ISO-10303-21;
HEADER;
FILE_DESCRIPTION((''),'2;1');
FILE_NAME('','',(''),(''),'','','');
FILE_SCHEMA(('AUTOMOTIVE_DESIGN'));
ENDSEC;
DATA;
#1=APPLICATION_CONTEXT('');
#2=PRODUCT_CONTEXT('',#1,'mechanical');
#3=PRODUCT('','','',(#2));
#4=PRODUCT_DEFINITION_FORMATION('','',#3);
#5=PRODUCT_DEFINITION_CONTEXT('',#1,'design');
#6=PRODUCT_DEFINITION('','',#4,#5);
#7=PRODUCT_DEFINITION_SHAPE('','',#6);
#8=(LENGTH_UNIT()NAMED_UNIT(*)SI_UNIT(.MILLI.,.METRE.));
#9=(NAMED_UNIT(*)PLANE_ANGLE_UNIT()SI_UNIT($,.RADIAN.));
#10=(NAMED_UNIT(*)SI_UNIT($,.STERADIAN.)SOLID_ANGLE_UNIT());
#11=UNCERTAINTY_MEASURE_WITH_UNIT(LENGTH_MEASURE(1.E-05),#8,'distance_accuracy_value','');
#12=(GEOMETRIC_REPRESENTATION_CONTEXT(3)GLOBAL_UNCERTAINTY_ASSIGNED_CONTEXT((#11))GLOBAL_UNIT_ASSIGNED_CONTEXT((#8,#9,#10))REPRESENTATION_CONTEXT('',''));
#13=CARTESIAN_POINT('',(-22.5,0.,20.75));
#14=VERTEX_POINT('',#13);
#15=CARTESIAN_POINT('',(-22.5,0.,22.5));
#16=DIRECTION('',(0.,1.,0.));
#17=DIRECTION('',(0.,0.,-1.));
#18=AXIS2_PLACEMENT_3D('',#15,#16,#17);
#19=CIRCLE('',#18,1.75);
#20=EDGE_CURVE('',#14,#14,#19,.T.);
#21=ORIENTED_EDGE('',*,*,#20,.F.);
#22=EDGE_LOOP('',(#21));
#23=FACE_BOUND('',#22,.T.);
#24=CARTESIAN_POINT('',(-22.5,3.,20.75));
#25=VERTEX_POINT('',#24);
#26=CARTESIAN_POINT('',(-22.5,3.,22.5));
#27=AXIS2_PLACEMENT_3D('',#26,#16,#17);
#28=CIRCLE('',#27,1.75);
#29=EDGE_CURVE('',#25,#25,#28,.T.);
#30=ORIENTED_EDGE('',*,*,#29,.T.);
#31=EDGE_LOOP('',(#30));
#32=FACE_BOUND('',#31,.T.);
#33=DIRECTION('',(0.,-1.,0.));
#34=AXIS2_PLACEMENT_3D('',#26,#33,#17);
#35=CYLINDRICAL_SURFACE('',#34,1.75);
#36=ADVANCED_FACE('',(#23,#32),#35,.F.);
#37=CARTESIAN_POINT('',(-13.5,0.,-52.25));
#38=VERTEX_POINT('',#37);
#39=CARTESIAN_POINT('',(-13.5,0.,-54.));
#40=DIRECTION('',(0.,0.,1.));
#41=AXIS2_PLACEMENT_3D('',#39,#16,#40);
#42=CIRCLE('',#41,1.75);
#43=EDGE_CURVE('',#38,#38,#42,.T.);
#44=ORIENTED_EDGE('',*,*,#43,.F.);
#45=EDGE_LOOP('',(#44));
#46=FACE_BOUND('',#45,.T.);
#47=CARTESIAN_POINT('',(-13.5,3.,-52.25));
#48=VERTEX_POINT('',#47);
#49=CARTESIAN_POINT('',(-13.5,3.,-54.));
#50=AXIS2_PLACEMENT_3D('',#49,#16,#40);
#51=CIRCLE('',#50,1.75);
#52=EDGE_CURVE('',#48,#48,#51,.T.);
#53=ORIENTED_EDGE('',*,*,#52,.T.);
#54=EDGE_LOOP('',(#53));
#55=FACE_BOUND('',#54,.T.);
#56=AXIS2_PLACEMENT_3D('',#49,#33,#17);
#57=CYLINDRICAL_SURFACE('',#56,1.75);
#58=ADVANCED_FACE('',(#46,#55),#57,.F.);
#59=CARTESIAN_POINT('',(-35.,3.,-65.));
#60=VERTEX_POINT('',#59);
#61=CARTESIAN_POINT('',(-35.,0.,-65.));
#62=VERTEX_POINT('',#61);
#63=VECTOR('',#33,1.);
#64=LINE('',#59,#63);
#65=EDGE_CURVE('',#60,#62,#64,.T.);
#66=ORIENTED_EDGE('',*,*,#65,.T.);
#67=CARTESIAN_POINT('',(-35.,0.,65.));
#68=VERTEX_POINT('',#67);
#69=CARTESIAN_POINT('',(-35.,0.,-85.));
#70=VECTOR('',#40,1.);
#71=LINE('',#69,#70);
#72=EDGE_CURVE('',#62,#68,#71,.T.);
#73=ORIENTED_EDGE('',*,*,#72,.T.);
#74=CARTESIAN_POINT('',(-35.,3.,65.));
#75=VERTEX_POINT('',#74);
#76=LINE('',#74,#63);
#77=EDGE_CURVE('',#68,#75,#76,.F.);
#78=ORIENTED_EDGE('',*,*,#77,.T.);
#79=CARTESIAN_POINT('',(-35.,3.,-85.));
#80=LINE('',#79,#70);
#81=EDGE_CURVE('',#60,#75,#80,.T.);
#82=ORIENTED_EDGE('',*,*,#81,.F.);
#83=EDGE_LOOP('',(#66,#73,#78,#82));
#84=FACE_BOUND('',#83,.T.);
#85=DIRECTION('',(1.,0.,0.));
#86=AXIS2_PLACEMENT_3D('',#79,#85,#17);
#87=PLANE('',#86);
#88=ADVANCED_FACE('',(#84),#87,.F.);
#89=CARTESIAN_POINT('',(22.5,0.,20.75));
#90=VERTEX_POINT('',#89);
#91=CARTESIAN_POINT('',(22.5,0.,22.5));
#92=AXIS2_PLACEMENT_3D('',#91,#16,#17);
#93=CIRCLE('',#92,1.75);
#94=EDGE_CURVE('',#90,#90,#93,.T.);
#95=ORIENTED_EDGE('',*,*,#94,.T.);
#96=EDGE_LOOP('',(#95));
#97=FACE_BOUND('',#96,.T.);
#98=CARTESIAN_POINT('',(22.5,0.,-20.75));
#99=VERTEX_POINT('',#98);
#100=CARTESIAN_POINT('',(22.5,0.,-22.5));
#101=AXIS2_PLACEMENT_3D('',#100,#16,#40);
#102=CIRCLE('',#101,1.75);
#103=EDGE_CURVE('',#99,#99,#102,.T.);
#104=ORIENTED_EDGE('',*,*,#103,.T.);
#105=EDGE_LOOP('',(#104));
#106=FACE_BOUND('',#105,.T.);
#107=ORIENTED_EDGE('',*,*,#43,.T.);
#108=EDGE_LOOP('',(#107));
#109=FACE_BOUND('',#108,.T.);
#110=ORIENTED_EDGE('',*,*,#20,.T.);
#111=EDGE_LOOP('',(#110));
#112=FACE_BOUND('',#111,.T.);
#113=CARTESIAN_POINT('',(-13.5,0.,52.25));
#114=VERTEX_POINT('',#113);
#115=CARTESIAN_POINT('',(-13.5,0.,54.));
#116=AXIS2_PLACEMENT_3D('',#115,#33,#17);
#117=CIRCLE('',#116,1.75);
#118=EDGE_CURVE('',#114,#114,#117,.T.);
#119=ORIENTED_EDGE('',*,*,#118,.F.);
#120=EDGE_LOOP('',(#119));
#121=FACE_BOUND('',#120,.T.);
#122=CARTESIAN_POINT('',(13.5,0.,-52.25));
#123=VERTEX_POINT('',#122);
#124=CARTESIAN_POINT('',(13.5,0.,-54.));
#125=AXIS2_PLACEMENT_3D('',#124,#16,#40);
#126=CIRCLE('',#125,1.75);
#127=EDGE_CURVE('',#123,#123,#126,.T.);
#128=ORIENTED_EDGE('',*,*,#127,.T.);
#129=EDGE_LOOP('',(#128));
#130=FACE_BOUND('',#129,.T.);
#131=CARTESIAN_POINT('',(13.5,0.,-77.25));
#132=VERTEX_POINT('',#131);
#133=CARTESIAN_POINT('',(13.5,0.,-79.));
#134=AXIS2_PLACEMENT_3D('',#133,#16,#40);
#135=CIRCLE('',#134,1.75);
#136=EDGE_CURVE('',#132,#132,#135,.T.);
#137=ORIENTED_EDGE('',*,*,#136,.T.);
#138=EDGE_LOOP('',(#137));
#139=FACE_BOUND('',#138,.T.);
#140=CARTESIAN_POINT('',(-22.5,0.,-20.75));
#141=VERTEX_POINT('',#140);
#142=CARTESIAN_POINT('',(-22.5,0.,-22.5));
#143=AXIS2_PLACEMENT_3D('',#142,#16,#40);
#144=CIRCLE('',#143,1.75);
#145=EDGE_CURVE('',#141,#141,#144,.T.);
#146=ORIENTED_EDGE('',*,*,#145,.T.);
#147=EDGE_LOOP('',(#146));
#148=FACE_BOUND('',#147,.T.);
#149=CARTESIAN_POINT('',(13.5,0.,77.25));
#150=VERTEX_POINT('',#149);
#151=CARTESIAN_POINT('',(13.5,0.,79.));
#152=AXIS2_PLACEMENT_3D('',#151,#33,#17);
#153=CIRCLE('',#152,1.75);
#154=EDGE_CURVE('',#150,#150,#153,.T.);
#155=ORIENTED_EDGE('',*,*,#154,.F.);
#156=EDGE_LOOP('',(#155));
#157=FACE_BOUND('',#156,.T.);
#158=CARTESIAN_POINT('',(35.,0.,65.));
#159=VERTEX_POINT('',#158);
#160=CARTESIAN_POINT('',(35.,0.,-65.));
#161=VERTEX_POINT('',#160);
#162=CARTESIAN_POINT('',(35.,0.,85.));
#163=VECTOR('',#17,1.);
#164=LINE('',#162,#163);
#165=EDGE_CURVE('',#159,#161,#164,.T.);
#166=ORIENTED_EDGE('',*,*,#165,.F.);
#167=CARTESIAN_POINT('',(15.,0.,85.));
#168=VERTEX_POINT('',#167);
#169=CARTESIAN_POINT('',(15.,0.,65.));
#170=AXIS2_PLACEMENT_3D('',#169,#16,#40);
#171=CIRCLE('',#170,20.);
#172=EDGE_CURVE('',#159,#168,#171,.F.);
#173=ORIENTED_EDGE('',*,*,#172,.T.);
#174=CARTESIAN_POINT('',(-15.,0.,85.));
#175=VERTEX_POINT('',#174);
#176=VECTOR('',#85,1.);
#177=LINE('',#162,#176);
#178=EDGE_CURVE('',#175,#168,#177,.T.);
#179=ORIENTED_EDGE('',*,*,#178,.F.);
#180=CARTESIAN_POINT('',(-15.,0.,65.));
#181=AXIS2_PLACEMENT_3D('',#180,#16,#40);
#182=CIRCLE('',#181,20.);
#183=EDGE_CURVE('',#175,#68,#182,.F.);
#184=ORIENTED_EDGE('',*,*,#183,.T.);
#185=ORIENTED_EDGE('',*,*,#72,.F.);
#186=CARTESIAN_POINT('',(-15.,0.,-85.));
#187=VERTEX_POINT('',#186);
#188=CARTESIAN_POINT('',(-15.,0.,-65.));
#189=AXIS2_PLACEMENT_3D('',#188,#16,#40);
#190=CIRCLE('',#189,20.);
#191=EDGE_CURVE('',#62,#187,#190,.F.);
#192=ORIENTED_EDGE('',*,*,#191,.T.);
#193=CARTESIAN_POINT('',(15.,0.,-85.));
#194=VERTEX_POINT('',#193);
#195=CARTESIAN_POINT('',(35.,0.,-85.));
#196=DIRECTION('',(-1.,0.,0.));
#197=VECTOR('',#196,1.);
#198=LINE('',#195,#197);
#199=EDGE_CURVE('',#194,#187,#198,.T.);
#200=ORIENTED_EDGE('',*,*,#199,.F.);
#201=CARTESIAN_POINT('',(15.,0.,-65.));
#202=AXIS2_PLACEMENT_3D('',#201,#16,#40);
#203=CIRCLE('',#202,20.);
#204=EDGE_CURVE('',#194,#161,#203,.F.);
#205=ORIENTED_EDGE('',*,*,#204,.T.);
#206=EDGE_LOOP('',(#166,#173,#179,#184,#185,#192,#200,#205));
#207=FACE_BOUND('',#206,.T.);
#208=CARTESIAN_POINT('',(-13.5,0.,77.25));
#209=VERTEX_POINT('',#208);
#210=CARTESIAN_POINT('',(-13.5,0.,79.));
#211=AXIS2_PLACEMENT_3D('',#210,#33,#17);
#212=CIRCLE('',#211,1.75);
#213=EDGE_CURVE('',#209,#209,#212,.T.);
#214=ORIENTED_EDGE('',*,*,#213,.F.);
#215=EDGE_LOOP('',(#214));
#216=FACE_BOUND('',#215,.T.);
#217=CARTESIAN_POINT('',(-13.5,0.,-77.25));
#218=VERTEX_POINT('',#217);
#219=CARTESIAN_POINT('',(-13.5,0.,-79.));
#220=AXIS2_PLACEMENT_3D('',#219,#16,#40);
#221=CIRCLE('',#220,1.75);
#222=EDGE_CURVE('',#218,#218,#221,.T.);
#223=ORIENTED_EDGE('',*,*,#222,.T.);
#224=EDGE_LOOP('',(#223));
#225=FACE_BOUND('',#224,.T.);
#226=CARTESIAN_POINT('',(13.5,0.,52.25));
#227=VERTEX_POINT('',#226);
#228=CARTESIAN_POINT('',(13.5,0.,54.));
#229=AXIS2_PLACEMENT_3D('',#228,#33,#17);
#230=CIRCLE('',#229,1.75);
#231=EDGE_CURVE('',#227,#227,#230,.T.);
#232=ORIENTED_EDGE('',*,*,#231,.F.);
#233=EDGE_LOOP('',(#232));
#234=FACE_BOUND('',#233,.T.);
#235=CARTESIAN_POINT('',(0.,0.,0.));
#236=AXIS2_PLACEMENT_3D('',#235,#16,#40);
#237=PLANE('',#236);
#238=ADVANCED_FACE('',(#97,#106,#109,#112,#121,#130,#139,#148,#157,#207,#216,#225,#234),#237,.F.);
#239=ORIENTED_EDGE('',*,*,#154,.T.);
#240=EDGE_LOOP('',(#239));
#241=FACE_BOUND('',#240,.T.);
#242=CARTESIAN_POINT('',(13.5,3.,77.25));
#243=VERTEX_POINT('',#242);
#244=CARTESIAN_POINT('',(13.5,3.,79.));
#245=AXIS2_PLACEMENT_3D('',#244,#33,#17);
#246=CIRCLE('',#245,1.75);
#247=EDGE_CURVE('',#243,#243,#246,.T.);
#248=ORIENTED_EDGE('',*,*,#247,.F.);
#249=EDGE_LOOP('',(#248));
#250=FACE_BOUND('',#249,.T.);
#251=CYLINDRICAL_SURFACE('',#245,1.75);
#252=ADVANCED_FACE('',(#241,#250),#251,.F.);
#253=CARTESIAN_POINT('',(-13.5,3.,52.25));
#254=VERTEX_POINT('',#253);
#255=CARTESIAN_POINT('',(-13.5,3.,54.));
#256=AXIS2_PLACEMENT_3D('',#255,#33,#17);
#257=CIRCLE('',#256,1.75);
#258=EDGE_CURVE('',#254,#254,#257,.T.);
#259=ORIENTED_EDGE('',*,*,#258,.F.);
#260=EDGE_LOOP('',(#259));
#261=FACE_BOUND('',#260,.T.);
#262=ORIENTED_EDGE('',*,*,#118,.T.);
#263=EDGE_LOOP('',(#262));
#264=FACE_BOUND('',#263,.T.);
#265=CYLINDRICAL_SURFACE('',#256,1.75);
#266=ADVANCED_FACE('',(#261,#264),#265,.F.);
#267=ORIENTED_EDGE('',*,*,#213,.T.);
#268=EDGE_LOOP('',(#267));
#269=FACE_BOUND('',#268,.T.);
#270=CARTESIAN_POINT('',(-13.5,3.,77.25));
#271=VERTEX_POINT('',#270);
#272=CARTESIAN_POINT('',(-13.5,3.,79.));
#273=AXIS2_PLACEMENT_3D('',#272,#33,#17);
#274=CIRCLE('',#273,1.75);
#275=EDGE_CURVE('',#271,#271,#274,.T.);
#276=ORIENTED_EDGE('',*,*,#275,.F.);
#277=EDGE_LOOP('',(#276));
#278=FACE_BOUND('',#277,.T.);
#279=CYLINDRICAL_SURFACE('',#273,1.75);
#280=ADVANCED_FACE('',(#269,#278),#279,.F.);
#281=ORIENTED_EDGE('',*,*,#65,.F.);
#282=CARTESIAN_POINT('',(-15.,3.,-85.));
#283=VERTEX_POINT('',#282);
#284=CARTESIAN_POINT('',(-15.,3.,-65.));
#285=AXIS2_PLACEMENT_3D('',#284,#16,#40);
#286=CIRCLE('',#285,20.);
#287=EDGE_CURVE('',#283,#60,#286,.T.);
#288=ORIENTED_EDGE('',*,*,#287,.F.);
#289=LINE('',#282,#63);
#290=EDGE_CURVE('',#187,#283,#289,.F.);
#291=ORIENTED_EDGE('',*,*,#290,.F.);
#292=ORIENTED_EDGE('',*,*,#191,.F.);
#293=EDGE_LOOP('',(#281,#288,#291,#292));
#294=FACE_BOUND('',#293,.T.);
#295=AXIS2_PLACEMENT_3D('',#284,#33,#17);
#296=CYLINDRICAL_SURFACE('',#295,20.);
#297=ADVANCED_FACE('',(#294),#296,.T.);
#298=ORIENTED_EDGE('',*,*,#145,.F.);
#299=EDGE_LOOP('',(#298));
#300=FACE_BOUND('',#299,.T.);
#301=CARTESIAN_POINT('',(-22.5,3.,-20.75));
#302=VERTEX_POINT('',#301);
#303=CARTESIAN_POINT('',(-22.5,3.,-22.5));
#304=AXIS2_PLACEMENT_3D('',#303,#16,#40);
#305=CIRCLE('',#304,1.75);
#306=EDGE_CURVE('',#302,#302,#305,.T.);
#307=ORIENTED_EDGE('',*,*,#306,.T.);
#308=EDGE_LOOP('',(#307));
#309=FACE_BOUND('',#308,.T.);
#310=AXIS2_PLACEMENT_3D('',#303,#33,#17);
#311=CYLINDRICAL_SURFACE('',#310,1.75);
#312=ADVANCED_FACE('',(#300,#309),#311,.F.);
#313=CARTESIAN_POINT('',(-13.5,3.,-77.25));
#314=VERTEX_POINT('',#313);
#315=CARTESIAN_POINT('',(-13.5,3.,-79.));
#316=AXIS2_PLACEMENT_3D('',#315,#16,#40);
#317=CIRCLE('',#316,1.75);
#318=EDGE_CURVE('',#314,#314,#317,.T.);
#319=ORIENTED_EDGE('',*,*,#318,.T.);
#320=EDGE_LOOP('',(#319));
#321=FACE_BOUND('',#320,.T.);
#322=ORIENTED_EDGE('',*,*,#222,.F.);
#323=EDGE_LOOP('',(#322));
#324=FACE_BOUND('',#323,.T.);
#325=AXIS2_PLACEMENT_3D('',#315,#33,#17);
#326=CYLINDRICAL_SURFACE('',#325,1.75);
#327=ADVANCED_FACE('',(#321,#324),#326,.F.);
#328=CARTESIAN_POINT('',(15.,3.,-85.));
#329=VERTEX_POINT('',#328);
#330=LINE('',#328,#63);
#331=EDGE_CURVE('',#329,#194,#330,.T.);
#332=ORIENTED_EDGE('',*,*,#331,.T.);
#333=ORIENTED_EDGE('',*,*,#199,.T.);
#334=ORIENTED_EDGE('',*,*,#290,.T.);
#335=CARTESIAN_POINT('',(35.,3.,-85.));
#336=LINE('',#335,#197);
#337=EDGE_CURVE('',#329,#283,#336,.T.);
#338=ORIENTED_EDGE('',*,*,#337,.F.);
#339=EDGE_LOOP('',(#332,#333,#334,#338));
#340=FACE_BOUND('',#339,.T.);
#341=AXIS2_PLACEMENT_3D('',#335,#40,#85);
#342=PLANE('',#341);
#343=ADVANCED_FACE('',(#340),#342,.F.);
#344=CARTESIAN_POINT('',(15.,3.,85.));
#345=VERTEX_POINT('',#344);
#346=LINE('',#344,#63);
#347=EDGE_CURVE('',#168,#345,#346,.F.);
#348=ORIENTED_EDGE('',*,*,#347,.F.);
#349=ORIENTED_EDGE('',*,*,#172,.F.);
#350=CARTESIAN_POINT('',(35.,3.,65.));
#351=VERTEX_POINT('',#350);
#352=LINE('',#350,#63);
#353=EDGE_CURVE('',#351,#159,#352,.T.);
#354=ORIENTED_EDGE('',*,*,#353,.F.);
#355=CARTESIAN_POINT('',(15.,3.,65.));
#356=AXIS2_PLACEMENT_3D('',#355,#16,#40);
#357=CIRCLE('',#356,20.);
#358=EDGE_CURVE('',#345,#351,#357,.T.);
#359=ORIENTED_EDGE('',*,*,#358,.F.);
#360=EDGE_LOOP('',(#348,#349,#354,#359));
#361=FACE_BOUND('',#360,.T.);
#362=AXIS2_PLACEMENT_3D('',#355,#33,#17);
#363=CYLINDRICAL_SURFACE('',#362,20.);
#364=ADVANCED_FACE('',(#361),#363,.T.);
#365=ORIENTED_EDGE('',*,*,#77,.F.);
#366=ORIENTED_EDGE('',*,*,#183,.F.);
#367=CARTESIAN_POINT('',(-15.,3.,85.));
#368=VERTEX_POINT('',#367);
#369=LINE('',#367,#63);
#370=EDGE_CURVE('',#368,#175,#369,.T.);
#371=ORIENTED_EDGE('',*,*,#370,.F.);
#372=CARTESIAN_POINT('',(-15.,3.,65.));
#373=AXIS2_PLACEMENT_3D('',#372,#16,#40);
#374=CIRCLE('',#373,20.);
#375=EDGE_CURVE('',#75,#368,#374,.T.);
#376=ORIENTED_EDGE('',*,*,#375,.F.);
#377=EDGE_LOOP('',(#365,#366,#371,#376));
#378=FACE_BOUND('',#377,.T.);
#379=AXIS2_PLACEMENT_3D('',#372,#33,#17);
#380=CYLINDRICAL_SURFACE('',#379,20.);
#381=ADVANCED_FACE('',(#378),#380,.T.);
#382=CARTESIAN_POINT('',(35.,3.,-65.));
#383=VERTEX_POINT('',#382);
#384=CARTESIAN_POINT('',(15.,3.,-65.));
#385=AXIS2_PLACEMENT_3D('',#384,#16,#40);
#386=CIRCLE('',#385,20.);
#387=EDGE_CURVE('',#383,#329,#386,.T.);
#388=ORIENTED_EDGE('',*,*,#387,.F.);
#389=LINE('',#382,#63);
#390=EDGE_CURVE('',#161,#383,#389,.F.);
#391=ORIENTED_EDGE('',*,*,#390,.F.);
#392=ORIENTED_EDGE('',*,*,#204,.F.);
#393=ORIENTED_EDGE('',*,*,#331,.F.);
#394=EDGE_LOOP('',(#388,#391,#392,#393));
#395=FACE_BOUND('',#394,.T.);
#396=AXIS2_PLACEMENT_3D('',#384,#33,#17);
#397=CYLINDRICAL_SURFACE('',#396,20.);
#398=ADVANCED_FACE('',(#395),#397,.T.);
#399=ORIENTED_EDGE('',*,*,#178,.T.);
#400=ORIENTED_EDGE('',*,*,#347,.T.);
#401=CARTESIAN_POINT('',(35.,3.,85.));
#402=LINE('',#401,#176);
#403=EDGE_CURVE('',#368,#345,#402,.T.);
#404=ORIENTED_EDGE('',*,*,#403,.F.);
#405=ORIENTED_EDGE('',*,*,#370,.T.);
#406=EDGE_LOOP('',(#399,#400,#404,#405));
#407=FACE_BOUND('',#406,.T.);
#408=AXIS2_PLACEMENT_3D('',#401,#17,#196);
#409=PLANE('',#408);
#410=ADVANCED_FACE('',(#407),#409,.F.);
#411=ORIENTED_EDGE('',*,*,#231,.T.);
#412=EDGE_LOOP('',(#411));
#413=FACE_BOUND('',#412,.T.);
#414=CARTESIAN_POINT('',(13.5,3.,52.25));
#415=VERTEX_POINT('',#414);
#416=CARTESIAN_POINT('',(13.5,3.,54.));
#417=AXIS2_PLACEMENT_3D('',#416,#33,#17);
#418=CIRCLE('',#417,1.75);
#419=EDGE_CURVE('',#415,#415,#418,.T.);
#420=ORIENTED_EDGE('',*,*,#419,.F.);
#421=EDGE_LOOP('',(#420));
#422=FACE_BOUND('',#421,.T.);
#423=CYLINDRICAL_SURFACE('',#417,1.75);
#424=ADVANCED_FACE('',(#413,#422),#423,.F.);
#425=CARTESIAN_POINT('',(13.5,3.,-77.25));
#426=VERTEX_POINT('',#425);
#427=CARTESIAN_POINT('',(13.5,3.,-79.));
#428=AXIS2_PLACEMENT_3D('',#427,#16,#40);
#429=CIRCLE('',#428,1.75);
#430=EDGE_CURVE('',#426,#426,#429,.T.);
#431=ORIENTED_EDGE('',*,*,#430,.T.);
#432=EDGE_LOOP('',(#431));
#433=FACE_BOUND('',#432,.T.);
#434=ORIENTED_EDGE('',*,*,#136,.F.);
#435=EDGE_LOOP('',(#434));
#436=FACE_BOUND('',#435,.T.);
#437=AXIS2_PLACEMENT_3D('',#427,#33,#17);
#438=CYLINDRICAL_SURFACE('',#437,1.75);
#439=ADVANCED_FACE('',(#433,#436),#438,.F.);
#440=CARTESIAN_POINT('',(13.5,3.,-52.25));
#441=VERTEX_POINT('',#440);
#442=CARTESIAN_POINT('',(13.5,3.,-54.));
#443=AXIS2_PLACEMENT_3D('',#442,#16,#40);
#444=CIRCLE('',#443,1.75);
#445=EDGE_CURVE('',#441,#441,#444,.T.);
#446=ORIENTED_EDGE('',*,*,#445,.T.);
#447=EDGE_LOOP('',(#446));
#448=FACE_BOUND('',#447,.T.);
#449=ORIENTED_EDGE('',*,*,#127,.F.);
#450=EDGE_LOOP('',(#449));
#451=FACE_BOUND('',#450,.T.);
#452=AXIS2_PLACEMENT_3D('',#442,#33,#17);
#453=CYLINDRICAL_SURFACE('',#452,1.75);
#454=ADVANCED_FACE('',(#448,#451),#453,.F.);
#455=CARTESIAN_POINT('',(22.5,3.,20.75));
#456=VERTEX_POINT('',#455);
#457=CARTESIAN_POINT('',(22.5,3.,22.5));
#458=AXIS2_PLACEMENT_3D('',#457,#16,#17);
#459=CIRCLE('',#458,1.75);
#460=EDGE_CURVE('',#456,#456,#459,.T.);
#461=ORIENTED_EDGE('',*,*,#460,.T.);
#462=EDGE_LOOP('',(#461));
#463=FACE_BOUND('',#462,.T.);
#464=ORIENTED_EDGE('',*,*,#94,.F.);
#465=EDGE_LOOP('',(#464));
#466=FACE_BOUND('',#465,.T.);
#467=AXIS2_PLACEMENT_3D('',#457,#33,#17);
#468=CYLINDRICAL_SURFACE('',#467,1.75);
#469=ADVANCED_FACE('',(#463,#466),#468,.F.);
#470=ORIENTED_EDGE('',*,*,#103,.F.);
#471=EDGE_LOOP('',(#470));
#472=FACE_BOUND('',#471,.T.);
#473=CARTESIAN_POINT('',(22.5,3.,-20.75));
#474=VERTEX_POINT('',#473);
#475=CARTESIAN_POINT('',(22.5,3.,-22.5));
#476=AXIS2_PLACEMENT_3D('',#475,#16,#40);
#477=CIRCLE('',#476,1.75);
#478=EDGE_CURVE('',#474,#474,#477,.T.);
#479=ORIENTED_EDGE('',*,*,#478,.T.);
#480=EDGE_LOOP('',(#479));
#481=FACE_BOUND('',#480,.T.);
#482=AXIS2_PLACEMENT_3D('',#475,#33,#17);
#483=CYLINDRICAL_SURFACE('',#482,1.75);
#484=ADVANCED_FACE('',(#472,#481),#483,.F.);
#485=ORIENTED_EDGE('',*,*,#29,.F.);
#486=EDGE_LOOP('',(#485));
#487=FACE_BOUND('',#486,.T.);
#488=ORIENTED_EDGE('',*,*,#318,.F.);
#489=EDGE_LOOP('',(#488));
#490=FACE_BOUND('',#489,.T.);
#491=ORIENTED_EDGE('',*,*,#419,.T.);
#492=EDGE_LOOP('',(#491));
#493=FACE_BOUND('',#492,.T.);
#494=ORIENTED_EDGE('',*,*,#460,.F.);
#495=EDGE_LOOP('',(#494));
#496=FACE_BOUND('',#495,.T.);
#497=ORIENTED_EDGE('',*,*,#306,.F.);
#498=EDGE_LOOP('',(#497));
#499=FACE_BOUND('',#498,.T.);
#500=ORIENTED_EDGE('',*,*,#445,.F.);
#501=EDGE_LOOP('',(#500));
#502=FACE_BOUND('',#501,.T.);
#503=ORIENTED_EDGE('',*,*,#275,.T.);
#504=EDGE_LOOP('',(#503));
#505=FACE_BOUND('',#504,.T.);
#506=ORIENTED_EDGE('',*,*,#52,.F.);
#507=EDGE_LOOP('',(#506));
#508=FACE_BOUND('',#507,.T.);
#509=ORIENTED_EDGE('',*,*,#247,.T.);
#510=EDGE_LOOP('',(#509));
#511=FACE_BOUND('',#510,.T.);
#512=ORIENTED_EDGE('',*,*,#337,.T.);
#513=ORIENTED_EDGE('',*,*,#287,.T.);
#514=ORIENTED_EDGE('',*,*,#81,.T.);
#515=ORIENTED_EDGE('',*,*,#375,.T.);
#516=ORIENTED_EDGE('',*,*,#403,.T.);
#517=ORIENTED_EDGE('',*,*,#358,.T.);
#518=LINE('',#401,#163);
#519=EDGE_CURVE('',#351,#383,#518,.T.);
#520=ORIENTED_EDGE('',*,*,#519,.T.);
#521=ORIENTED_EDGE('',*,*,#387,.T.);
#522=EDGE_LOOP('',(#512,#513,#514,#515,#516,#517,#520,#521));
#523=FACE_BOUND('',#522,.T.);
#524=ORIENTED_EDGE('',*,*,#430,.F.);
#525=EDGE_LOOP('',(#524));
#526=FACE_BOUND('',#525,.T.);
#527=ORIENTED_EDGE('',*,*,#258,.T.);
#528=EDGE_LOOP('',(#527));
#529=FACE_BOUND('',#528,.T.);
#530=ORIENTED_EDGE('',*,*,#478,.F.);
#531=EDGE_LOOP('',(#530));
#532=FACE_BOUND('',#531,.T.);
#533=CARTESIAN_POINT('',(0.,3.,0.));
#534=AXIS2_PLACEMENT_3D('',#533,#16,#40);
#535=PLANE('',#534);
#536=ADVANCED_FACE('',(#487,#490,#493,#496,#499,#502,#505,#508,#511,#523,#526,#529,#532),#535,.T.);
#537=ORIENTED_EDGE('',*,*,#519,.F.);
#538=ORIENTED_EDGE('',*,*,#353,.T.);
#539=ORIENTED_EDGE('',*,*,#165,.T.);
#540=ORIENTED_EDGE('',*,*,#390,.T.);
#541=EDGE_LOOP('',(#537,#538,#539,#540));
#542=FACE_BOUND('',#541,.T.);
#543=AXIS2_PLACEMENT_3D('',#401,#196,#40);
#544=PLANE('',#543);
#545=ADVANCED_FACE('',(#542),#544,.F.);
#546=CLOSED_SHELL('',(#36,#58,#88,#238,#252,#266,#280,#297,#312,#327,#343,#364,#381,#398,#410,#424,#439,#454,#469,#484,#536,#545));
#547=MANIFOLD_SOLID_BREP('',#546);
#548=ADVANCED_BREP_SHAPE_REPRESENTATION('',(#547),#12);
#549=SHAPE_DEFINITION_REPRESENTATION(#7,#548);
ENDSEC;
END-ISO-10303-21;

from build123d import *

# Parameters (mm, degrees)
SKETCH1_W           = 70
SKETCH1_H           = 170
SKETCH1_R           = 1.75
BOSS_EXTRUDE1_DEPTH = 3
SKETCH2_R           = 1.75
CUT_EXTRUDE2_DEPTH  = 92.972822073
FILLET1_R           = 20


with BuildPart() as part:
    # Sketch1 → Boss-Extrude1 (new body)
    with BuildSketch(Plane(origin=(0, 0, 0), x_dir=(1, 0, 0), z_dir=(0, 1, 0))):
        Rectangle(SKETCH1_W, SKETCH1_H)
        with Locations(Location((-22.5, 22.5, 0), (0, 0, 270))):
            Circle(SKETCH1_R, mode=Mode.SUBTRACT)
        with Locations(Location((22.5, 22.5, 0), (0, 0, 270))):
            Circle(SKETCH1_R, mode=Mode.SUBTRACT)
        with Locations(Location((-22.5, -22.5, 0), (0, 0, 90))):
            Circle(SKETCH1_R, mode=Mode.SUBTRACT)
        with Locations(Location((22.5, -22.5, 0), (0, 0, 90))):
            Circle(SKETCH1_R, mode=Mode.SUBTRACT)
    extrude(amount=BOSS_EXTRUDE1_DEPTH)

    # Sketch2 → Cut-Extrude2 (cut, through all)
    with BuildSketch(Plane(origin=(0, 0, 0), x_dir=(1, 0, 0), z_dir=(0, 1, 0))):
        with Locations(Location((-13.5, 79, 0), (0, 0, 270))):
            Circle(SKETCH2_R)
        with Locations(Location((13.5, 79, 0), (0, 0, 270))):
            Circle(SKETCH2_R)
        with Locations(Location((13.5, 54, 0), (0, 0, 270))):
            Circle(SKETCH2_R)
        with Locations(Location((-13.5, 54, 0), (0, 0, 270))):
            Circle(SKETCH2_R)
    cut_extrude2 = extrude(amount=CUT_EXTRUDE2_DEPTH, mode=Mode.SUBTRACT)

    # Mirror1: Cut-Extrude2 across plane
    add(cut_extrude2.mirror(Plane.XY), mode=Mode.SUBTRACT)

    # Fillet1
    fillet1_edges = [part.edges().sort_by_distance(p)[0] for p in [
        (35, 1.5, -85),
        (35, 1.5, 85),
        (-35, 1.5, 85),
        (-35, 1.5, -85),
    ]]
    fillet(fillet1_edges, radius=FILLET1_R)


solid = part.part
